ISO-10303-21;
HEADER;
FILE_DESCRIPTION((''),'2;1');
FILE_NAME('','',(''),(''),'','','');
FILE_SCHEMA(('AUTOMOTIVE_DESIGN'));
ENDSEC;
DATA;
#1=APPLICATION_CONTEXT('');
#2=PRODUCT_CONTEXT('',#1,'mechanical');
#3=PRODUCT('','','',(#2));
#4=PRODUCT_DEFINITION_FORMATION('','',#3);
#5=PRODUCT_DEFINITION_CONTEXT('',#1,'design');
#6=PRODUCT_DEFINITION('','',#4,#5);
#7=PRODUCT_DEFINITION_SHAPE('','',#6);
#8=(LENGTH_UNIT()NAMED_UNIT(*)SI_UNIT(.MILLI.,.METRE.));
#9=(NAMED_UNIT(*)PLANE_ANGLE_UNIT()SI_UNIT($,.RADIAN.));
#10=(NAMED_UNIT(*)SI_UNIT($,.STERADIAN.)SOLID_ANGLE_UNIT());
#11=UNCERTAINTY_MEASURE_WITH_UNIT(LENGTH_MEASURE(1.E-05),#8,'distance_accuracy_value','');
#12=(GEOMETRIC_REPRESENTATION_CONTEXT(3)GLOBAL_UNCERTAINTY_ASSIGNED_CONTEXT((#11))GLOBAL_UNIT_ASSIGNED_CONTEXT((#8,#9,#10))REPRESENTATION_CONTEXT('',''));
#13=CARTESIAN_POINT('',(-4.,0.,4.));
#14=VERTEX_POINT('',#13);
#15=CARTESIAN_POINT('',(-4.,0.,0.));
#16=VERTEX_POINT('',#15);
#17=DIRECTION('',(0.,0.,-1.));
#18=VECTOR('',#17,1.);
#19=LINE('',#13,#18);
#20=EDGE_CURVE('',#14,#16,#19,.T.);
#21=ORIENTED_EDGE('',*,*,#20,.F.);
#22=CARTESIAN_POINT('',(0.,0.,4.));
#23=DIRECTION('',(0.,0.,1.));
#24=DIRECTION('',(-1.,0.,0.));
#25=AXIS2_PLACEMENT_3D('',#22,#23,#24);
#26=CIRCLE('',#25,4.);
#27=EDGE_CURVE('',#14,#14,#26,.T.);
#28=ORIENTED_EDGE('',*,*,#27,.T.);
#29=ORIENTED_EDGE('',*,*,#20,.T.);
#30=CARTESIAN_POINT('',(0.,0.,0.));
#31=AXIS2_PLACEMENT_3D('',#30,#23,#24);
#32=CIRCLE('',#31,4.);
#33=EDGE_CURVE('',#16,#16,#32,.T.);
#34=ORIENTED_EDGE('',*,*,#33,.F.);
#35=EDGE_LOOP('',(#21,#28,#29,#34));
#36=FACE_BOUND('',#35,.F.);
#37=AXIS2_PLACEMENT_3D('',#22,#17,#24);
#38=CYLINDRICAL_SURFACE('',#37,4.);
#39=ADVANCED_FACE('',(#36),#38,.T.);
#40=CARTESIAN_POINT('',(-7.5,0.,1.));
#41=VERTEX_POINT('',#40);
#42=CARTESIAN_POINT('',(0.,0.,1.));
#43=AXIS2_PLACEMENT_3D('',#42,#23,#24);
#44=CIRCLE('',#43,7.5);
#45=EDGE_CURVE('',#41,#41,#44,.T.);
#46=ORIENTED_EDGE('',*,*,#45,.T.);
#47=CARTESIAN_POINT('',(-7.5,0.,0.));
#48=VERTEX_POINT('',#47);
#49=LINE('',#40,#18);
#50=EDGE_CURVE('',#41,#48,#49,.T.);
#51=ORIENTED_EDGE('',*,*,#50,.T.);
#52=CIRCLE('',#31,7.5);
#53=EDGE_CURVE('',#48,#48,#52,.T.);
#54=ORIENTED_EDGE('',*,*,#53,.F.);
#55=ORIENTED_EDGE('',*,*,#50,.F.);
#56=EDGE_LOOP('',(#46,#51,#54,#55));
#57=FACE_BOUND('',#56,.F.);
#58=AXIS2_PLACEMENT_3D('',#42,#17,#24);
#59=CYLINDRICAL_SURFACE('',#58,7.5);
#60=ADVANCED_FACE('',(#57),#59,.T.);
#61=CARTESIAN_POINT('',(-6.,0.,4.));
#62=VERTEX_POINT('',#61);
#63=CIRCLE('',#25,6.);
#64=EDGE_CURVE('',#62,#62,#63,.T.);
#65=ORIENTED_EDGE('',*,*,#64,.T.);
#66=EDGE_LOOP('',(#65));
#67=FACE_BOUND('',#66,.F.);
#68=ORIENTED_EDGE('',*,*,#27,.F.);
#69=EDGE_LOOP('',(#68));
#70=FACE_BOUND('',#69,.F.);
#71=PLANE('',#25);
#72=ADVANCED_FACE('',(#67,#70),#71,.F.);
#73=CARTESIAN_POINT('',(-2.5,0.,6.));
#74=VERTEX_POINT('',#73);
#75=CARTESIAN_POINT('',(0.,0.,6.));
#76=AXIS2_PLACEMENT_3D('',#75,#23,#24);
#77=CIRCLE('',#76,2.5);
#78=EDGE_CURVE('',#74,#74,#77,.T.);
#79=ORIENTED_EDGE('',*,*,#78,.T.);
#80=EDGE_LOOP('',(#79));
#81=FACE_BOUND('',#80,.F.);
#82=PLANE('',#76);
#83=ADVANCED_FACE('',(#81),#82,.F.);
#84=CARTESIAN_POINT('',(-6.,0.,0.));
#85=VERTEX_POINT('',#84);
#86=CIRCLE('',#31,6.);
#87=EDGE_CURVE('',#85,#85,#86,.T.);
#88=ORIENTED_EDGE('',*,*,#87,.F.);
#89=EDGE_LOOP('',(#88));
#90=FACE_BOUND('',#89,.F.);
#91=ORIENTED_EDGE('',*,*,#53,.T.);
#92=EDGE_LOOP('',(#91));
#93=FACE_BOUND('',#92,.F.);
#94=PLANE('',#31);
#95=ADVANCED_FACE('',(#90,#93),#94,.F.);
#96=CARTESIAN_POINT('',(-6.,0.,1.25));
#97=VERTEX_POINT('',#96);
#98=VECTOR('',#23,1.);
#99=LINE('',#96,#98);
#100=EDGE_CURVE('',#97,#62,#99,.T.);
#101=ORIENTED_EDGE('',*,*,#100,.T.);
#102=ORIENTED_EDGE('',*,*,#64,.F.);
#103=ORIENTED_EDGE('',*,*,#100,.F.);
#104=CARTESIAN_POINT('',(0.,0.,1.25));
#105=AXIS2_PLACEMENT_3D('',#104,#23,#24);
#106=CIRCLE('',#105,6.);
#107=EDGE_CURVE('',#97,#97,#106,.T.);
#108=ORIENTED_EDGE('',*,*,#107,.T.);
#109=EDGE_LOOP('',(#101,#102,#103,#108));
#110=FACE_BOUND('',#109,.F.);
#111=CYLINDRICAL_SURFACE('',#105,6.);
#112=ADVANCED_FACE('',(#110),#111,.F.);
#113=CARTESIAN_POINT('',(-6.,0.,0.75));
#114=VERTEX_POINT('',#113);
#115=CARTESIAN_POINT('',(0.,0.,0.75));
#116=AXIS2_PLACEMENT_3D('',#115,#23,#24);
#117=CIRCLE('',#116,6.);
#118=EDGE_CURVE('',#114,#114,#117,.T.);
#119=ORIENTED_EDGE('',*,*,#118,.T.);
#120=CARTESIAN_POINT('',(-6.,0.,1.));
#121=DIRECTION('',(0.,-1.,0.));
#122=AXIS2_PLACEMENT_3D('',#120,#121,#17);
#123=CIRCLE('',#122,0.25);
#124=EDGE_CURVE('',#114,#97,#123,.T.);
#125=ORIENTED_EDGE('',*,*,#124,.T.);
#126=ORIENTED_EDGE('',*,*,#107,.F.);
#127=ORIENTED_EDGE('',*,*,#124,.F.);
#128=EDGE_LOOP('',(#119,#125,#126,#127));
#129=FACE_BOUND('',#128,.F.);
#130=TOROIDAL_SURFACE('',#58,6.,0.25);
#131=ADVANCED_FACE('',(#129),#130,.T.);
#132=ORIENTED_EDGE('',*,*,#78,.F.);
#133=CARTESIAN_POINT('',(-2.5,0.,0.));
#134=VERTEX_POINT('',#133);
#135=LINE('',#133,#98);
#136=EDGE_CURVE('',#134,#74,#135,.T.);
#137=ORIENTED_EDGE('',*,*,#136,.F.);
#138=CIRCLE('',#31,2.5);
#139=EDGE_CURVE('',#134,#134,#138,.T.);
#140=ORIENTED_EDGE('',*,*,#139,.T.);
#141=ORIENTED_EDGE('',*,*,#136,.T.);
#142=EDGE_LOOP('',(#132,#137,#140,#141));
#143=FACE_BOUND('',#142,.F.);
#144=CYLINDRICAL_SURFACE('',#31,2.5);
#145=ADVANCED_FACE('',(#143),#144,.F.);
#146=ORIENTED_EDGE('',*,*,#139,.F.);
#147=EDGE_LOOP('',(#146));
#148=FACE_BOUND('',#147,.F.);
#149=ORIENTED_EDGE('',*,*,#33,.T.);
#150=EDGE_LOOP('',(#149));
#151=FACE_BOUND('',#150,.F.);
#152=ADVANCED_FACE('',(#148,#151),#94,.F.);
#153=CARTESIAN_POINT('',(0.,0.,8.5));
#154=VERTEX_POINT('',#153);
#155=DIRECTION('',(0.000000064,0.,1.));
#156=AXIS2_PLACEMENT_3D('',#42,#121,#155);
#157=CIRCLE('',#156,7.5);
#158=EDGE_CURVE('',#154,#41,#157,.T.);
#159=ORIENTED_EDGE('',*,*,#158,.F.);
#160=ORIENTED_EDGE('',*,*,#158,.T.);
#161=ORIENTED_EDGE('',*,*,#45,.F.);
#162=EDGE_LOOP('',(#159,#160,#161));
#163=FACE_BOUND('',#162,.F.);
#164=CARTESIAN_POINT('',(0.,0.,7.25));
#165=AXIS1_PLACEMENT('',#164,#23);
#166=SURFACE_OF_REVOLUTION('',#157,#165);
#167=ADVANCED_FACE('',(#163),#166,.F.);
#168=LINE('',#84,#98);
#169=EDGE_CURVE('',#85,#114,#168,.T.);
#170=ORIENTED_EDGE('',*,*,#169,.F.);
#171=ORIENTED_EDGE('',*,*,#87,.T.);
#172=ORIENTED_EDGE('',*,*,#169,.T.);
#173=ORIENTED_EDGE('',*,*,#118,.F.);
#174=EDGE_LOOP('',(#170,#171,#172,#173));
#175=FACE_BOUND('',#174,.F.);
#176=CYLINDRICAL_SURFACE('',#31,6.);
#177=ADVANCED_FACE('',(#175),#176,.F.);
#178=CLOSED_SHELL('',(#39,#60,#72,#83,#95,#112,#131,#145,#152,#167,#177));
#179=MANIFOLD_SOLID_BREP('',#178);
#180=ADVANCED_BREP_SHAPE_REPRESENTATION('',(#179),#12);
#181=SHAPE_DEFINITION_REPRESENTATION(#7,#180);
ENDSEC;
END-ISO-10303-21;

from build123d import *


with BuildPart() as f1:
    # F0 (on Front) → F1 (revolve)
    with BuildSketch(Plane.XZ):
        with BuildLine():
            Line((-2.5, 6), (0, 6))
            Line((0, 6), (0, 8.5))
            ThreePointArc((0, 8.5), (-5.303301, 6.303301), (-7.5, 1))
            Line((-7.5, 1), (-7.5, 0))
            Line((-7.5, 0), (-6, 0))
            Line((-6, 0), (-6, 0.75))
            ThreePointArc((-6, 0.75), (-5.75, 1), (-6, 1.25))
            Line((-6, 1.25), (-6, 4))
            Line((-6, 4), (-4, 4))
            Line((-4, 4), (-4, 0))
            Line((-4, 0), (-2.5, 0))
            Line((-2.5, 0), (-2.5, 6))
        make_face()
    revolve(axis=Axis((0, 0, 7.25), (0, 0, 1)))


solid = f1.part
